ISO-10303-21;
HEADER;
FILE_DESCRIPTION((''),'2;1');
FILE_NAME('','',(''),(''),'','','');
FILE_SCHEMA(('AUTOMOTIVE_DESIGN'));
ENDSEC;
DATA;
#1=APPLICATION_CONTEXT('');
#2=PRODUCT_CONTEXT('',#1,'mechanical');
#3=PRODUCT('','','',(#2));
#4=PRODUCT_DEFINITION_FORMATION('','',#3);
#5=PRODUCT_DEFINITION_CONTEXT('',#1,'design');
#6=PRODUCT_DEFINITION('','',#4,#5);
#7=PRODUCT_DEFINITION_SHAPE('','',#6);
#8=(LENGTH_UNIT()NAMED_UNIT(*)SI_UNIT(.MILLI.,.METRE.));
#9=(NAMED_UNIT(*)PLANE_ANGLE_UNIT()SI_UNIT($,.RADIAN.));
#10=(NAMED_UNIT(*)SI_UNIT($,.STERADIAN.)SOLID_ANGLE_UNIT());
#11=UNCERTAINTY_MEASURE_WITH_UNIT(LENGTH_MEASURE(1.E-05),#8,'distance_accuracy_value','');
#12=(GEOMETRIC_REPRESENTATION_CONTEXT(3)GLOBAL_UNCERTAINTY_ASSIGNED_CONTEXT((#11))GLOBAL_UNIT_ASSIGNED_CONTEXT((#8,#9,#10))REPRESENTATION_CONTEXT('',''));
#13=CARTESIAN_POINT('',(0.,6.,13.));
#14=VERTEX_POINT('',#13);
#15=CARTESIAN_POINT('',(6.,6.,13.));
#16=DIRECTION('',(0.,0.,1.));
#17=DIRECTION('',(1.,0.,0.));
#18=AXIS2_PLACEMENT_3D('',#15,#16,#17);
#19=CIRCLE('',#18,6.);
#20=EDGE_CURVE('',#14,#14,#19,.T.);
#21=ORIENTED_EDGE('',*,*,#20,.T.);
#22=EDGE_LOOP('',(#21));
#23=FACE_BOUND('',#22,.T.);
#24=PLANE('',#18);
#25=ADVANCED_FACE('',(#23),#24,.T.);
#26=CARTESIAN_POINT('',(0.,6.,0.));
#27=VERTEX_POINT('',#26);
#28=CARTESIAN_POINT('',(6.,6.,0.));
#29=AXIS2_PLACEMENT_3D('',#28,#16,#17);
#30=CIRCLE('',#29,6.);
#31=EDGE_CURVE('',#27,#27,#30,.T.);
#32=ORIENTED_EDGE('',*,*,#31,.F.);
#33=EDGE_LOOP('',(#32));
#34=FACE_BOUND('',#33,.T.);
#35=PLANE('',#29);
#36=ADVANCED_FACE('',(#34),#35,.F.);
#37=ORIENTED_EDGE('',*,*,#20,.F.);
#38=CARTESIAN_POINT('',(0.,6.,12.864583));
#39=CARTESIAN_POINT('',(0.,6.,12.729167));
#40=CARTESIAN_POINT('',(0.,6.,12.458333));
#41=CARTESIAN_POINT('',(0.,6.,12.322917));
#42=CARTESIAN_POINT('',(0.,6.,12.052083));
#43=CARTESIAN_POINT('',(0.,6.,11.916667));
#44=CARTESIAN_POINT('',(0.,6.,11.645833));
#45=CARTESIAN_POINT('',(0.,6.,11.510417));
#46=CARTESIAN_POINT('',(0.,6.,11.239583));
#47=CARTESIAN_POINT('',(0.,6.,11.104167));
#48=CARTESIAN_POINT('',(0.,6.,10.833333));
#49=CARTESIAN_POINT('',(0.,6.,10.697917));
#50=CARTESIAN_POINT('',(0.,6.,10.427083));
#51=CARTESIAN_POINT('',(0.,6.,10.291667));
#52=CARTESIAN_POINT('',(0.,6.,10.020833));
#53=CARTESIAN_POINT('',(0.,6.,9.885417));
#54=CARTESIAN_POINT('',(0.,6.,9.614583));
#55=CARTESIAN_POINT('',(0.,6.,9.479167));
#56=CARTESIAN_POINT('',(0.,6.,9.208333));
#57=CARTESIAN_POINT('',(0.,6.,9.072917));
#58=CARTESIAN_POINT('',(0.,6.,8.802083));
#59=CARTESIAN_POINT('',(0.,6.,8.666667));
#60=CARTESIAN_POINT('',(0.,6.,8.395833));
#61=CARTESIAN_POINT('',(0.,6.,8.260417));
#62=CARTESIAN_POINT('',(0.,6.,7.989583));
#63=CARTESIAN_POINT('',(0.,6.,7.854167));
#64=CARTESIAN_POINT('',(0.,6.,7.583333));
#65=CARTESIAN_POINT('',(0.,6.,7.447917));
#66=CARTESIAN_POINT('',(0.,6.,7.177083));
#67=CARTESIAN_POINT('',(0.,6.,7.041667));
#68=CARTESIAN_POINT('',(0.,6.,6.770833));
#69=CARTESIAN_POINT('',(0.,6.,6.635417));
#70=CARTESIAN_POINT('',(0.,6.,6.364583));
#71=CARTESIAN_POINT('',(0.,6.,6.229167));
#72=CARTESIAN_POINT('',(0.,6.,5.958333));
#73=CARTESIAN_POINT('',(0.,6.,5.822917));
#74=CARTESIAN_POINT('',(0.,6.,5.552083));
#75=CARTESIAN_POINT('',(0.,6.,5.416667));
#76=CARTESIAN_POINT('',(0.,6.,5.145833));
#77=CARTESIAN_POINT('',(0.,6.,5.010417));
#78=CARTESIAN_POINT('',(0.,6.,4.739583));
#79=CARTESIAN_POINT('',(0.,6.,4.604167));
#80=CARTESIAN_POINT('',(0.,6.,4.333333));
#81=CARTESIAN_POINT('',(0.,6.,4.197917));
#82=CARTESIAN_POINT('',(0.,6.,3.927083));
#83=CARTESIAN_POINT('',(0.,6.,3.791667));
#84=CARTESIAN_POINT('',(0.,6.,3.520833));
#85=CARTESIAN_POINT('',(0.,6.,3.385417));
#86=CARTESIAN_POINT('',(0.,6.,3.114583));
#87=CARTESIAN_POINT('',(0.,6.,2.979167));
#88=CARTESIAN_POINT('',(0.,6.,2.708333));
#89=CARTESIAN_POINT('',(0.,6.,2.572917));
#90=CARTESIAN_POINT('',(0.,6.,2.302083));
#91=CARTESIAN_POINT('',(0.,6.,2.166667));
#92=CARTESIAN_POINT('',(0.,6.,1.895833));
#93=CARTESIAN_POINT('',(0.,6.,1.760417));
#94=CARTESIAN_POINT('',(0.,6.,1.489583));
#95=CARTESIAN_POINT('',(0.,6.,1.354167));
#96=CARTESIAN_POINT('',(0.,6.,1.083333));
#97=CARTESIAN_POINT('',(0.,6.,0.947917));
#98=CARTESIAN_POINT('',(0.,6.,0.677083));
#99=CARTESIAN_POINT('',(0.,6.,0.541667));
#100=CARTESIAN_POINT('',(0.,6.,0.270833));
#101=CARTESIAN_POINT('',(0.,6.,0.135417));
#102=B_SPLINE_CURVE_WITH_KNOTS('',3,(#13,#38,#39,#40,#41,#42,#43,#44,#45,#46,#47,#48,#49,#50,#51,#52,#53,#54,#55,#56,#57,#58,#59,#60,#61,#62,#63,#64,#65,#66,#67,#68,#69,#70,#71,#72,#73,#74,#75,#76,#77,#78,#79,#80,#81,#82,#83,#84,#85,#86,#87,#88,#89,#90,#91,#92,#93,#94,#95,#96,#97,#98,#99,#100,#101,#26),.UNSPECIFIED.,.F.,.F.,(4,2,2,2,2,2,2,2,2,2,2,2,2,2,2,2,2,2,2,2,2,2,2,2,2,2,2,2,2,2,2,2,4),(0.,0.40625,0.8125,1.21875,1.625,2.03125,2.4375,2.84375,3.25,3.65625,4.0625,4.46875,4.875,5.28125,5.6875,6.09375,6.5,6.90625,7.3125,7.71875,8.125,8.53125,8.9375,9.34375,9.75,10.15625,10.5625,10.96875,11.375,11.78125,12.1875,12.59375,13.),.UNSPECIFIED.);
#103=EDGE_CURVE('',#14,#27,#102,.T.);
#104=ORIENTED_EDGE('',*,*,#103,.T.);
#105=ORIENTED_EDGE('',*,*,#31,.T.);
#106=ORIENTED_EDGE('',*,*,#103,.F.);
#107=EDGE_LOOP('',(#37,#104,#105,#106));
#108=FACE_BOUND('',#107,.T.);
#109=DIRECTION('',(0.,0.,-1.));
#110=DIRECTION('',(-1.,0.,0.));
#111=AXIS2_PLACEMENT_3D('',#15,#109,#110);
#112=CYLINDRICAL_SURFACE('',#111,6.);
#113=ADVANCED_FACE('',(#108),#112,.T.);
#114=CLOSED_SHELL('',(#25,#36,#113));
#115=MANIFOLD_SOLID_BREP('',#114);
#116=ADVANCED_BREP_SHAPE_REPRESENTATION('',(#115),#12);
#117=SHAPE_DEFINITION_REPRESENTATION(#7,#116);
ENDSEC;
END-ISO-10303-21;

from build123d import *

# Parameters (mm, degrees)
SKETCH1_R     = 6
PROFILE_DEPTH = 13


with BuildPart() as part:
    # Sketch1 → Profile (new body)
    with BuildSketch(Plane.XY):
        with Locations(Location((6, 6, 0), (0, 0, 180))):
            Circle(SKETCH1_R)
    extrude(amount=PROFILE_DEPTH)


solid = part.part
